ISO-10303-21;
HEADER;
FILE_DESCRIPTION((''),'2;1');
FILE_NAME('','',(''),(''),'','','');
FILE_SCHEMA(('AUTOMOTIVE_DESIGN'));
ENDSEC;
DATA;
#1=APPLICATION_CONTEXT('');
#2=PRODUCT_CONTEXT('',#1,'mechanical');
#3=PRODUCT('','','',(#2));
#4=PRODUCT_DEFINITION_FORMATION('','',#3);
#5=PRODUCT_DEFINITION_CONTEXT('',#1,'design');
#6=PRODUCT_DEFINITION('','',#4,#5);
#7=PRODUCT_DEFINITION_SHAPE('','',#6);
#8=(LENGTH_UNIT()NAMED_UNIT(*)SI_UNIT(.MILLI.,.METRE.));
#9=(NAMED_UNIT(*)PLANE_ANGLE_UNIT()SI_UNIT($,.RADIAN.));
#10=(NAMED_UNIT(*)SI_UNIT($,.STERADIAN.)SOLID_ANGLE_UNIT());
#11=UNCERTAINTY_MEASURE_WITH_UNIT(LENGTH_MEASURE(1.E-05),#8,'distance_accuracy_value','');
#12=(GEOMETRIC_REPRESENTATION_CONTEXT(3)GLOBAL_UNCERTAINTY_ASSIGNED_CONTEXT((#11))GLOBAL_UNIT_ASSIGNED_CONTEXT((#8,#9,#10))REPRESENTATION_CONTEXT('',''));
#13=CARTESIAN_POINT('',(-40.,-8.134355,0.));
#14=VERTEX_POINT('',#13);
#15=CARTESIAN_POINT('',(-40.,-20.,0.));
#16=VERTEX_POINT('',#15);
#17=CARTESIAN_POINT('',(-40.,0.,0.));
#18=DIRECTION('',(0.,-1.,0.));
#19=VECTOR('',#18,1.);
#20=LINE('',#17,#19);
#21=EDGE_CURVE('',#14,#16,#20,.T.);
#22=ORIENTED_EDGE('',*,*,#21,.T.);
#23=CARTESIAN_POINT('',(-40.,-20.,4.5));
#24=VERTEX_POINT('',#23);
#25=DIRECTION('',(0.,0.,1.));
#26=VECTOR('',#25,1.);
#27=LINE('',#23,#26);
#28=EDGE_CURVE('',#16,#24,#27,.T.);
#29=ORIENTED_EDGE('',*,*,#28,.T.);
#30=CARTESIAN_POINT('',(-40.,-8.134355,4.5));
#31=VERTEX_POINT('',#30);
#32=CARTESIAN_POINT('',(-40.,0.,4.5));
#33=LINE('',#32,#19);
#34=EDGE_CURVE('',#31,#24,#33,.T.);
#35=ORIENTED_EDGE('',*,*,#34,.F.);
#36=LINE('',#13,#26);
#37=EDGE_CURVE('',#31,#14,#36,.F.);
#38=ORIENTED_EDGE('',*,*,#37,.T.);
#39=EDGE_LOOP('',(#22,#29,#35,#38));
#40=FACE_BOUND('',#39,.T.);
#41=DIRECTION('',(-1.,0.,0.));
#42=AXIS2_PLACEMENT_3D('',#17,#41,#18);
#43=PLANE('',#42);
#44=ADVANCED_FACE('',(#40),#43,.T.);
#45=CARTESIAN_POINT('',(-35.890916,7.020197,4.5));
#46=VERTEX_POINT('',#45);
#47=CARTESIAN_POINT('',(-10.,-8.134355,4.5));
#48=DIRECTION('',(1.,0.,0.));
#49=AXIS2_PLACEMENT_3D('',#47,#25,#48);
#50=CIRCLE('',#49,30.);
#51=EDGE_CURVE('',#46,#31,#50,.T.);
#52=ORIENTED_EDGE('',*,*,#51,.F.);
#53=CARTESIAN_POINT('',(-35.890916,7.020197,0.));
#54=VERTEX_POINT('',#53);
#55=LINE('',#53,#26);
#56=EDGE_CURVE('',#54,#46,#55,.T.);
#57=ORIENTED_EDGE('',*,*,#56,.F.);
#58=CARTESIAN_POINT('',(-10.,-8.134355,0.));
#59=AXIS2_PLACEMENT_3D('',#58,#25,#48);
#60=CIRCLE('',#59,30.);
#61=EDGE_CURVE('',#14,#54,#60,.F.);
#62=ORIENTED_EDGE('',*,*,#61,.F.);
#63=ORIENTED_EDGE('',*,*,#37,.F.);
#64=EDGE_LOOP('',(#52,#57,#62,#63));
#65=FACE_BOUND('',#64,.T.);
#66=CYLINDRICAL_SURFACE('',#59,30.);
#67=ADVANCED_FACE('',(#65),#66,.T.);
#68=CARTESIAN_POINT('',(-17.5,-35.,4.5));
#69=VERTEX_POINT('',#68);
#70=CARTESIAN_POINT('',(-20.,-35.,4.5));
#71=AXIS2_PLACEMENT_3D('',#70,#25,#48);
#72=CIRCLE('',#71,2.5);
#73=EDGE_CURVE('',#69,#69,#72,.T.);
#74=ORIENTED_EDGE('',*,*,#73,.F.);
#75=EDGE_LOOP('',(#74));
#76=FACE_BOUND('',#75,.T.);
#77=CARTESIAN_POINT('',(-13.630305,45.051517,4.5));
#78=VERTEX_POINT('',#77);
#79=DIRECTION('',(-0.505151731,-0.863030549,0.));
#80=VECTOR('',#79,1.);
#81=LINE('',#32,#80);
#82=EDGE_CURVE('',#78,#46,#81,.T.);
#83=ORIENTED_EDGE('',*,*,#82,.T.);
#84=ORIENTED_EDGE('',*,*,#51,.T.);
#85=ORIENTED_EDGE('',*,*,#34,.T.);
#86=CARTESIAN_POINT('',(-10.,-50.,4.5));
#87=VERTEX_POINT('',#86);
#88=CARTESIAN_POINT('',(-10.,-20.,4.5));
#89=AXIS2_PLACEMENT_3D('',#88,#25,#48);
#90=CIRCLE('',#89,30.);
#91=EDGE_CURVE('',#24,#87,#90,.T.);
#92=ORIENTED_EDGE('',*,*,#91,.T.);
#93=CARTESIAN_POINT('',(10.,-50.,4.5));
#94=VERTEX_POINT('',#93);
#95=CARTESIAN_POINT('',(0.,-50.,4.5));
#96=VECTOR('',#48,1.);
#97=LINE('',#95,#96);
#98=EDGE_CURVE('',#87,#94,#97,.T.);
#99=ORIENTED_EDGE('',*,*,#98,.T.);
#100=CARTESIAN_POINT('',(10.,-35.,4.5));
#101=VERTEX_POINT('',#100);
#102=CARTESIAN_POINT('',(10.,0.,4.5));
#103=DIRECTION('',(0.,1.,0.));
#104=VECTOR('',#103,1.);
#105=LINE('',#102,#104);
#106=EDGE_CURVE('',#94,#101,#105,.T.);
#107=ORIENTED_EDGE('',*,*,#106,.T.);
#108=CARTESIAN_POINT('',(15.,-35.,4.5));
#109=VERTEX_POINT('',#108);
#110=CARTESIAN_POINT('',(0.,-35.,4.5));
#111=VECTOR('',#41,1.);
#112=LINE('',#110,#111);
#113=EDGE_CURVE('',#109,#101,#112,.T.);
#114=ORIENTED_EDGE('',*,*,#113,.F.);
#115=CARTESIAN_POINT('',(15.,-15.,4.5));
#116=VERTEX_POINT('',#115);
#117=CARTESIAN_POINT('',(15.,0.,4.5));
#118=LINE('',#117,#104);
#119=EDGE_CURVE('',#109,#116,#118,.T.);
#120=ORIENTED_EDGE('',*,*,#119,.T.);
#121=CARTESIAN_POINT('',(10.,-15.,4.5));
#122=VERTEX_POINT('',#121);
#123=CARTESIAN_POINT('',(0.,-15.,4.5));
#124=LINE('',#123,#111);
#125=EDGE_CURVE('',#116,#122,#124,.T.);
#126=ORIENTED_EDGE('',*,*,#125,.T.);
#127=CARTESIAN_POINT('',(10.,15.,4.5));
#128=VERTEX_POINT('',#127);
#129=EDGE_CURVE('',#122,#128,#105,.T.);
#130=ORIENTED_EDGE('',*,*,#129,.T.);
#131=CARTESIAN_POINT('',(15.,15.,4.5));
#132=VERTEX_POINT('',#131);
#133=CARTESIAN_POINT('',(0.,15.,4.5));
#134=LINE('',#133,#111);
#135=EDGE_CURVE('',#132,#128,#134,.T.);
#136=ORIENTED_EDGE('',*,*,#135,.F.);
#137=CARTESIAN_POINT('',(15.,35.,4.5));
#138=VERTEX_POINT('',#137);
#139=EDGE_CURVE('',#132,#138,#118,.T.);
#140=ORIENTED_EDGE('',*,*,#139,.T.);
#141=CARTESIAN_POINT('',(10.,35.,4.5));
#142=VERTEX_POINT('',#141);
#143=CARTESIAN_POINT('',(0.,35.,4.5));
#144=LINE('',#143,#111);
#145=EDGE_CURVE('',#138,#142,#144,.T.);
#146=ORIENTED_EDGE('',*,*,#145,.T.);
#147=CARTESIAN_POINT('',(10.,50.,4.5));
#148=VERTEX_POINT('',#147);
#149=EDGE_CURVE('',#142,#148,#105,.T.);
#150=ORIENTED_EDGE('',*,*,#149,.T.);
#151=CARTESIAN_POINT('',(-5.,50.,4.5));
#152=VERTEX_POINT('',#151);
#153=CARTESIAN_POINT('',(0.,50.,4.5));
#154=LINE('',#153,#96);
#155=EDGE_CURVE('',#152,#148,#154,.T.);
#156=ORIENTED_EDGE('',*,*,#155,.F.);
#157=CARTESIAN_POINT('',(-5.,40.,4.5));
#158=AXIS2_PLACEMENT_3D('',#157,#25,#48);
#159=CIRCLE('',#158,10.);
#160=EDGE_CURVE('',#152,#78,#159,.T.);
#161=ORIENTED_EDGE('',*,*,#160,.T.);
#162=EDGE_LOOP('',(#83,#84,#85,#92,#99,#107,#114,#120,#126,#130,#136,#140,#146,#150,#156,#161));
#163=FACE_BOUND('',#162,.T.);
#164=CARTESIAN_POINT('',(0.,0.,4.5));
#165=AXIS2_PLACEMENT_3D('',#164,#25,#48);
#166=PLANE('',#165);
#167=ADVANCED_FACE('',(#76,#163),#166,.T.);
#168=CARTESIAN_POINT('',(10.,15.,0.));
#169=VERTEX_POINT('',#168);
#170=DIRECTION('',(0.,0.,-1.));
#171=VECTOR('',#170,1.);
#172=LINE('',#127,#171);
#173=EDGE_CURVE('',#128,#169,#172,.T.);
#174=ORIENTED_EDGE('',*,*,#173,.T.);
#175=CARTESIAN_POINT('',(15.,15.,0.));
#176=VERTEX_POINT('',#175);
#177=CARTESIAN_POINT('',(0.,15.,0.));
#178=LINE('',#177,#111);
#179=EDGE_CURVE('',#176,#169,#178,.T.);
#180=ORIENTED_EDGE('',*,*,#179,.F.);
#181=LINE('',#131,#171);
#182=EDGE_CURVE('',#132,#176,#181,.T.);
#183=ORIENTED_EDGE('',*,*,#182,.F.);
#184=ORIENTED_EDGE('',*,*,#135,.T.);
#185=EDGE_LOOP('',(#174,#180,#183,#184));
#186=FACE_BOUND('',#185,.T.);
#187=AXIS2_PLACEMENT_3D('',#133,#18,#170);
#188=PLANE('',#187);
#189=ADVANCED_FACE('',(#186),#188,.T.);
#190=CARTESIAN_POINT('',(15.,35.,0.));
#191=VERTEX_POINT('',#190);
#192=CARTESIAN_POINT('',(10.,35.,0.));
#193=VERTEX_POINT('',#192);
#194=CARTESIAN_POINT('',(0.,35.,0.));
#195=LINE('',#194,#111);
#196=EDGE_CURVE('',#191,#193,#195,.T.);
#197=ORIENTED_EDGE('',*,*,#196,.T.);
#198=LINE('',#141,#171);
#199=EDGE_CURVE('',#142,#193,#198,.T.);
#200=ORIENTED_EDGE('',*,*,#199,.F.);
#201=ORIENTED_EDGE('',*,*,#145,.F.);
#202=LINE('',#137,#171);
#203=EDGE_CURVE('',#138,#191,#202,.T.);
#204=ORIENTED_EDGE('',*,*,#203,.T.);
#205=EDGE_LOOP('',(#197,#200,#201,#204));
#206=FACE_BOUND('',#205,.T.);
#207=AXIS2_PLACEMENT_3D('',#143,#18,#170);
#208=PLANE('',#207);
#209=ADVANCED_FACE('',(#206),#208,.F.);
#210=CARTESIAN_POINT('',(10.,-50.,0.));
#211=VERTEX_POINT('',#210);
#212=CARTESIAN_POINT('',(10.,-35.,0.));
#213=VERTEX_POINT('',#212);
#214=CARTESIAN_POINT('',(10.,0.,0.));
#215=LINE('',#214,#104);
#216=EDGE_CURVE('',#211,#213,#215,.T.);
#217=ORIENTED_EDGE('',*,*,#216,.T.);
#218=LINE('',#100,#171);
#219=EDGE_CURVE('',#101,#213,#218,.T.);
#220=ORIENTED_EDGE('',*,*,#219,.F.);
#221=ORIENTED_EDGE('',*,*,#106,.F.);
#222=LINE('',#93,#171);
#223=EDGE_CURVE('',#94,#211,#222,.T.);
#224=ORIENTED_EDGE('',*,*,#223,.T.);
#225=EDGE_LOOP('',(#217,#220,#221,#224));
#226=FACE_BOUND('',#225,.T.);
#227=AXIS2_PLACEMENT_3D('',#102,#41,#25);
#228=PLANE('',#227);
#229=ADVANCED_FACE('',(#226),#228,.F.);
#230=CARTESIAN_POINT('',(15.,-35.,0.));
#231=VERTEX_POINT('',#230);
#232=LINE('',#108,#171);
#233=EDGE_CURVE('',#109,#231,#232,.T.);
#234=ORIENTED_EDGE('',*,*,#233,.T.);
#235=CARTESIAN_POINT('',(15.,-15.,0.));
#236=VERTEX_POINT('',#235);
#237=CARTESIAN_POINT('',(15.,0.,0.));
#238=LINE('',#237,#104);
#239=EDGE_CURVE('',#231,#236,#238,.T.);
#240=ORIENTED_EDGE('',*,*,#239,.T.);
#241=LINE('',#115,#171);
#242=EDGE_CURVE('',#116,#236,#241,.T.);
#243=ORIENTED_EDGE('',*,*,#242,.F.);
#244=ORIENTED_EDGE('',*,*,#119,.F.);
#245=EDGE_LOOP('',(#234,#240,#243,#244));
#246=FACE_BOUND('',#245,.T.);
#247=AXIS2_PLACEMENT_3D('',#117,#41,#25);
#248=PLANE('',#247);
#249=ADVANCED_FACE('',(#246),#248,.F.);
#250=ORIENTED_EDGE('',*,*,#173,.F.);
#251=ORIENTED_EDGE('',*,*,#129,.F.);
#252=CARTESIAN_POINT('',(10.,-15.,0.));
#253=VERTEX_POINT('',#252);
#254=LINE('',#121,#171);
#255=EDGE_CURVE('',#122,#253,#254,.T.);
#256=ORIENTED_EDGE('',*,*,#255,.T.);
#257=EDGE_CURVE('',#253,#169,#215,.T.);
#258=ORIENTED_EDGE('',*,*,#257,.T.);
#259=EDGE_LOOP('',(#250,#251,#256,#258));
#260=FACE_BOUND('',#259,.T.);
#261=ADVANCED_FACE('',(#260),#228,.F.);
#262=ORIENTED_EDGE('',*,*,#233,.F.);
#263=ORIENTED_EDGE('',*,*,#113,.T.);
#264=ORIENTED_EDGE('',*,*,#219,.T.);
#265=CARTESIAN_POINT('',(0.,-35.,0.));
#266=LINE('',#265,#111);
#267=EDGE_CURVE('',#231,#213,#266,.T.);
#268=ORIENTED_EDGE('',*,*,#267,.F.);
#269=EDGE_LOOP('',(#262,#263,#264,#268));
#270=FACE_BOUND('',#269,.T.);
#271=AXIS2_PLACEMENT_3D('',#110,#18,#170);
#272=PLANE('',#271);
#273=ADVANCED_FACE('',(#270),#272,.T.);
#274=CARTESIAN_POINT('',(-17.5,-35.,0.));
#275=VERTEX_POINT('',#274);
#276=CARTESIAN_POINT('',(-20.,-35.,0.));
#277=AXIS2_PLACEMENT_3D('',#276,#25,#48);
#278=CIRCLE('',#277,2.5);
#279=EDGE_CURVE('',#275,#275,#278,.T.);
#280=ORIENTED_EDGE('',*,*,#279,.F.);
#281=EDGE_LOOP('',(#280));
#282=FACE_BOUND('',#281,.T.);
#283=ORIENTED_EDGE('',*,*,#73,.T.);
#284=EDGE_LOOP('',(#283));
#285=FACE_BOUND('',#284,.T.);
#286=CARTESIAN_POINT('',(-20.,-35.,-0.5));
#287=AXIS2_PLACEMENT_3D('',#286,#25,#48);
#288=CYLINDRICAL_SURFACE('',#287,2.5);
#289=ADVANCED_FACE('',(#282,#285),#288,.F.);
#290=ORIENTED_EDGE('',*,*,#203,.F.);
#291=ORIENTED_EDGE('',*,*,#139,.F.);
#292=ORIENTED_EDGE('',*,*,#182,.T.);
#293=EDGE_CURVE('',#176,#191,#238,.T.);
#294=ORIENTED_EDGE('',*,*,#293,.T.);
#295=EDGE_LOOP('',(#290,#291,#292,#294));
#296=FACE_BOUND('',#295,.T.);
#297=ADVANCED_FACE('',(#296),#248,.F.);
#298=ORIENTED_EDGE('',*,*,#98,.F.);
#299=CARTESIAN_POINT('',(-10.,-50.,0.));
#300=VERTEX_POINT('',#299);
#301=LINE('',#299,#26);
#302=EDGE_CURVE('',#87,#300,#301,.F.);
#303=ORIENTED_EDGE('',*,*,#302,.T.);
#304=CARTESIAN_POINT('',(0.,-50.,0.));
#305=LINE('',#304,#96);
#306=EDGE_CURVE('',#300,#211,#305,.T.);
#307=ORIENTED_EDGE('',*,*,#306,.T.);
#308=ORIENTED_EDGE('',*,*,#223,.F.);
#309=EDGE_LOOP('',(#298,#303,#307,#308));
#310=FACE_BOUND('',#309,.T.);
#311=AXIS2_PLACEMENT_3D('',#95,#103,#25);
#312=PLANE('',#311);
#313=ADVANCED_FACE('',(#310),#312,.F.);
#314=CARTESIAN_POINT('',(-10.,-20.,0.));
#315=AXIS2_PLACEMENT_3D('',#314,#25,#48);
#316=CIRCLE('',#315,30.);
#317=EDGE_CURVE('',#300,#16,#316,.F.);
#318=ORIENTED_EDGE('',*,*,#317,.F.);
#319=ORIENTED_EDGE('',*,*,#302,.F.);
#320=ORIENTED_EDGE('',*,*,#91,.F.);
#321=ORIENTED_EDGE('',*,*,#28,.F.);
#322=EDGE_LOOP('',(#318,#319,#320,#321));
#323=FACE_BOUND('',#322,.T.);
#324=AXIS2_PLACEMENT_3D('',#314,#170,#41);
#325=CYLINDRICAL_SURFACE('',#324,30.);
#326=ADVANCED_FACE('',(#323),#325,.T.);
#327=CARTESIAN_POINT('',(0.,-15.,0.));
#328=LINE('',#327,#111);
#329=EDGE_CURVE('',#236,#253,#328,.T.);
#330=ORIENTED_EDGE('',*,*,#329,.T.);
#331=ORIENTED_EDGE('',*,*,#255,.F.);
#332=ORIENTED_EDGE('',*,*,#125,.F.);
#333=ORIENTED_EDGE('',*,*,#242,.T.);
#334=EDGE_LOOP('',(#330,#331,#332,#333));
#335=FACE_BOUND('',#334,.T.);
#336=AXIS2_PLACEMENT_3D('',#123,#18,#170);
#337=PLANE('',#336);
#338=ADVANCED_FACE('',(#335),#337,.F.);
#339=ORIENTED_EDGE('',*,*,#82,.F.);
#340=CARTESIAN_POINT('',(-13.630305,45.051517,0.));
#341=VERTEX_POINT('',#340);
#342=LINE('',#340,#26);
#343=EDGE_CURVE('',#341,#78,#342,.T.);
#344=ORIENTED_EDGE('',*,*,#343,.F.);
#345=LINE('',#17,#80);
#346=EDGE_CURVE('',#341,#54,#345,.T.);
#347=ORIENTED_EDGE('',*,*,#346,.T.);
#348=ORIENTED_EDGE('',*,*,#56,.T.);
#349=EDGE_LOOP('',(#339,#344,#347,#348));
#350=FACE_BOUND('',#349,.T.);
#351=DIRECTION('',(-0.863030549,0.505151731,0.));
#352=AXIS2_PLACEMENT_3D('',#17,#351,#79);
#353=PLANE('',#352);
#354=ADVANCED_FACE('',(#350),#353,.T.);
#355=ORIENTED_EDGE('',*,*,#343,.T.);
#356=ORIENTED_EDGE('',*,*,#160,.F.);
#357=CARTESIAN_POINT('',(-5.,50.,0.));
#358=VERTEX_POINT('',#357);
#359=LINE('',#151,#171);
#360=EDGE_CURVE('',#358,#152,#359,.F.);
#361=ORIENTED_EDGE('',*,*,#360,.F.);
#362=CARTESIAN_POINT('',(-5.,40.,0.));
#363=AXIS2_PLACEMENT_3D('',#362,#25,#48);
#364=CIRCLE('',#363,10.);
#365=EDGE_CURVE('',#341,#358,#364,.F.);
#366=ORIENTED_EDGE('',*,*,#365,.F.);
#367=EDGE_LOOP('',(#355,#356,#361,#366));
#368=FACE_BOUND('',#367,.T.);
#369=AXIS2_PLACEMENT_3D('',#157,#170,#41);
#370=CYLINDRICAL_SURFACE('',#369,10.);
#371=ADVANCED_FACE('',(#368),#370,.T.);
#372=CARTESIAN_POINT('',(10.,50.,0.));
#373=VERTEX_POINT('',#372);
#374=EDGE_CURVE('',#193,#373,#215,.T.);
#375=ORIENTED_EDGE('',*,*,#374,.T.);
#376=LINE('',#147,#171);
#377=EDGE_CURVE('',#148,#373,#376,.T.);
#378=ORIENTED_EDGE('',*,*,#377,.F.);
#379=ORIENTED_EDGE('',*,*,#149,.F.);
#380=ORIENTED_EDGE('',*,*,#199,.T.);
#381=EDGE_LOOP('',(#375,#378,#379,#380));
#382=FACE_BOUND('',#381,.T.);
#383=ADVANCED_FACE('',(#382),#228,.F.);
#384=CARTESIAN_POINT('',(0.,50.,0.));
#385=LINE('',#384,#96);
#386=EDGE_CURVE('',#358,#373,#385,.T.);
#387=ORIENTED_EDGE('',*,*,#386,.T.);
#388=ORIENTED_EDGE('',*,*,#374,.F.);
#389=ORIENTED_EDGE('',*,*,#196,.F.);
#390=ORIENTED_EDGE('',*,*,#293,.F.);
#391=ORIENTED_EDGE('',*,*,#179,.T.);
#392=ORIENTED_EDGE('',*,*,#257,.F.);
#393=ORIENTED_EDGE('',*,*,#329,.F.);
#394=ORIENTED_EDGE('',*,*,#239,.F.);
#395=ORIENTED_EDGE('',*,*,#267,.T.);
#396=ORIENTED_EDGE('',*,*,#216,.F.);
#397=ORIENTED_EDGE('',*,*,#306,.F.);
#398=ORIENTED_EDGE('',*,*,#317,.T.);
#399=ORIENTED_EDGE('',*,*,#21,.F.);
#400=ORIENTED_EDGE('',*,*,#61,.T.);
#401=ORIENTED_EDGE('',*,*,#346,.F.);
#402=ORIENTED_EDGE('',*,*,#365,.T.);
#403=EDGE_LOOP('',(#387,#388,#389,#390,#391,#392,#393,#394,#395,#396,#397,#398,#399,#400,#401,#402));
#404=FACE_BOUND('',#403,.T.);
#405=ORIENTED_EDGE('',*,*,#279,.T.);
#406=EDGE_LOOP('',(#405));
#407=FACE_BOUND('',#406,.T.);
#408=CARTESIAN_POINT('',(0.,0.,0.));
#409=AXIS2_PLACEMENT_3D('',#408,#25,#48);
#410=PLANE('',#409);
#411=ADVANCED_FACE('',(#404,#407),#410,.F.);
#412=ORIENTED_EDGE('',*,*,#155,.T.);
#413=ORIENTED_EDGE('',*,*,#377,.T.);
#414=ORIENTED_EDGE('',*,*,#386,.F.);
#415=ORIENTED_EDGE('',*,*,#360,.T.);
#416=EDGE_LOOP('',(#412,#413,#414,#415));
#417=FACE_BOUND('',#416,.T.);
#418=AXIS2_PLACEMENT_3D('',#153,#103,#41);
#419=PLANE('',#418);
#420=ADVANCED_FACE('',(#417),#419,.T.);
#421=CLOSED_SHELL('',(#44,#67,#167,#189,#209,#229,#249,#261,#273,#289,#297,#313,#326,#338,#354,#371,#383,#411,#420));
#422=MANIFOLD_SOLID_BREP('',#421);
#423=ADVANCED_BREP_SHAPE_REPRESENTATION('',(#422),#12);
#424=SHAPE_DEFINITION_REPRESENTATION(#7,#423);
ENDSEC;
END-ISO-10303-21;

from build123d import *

# Parameters (mm, degrees)
BOSS_EXTRUDE1_DEPTH = 4.5
FILLET1_R           = 10
BOSS_EXTRUDE2_DEPTH = 4.5
FILLET2_R           = 30
SKETCH3_R           = 2.5
CUT_EXTRUDE1_DEPTH  = 5


with BuildPart() as part:
    # Sketch1 → Boss-Extrude1 (new body)
    with BuildSketch(Plane.XY):
        Polygon((10, -15), (10, 0), (10, 15), (15, 15), (15, 35), (10, 35), (10, 50), (-15, 50), (-15, -50), (10, -50), (10, -35), (15, -35), (15, -15), align=None)
    extrude(amount=BOSS_EXTRUDE1_DEPTH)

    # Fillet1
    fillet1_edges = [part.edges().sort_by_distance(p)[0] for p in [
        (-15, -50, 2.25),
        (-15, 50, 2.25),
    ]]
    fillet(fillet1_edges, radius=FILLET1_R)

    # Sketch2 → Boss-Extrude2 (add)
    with BuildSketch(Plane.XY.offset(4.5)):
        with BuildLine():
            Line((-40, 0), (-13.630305493, 45.051517306))
            ThreePointArc((-13.630305493, 45.051517306), (-14.651503897, 42.616958642), (-15, 40))
            Line((-15, 40), (-15, -40))
            ThreePointArc((-15, -40), (-12.071067812, -47.071067812), (-5, -50))
            Line((-5, -50), (-40, -50))
            Line((-40, -50), (-40, 0))
        make_face()
    extrude(amount=-BOSS_EXTRUDE2_DEPTH)

    # Fillet2
    fillet2_edges = [part.edges().sort_by_distance(p)[0] for p in [
        (-40, -50, 2.25),
        (-40, 0, 2.25),
    ]]
    fillet(fillet2_edges, radius=FILLET2_R)

    # Sketch3 → Cut-Extrude1 (cut)
    with BuildSketch(Plane.XY.offset(4.5)):
        with Locations((-20, -35)):
            Circle(SKETCH3_R)
    extrude(amount=-CUT_EXTRUDE1_DEPTH, mode=Mode.SUBTRACT)


solid = part.part
